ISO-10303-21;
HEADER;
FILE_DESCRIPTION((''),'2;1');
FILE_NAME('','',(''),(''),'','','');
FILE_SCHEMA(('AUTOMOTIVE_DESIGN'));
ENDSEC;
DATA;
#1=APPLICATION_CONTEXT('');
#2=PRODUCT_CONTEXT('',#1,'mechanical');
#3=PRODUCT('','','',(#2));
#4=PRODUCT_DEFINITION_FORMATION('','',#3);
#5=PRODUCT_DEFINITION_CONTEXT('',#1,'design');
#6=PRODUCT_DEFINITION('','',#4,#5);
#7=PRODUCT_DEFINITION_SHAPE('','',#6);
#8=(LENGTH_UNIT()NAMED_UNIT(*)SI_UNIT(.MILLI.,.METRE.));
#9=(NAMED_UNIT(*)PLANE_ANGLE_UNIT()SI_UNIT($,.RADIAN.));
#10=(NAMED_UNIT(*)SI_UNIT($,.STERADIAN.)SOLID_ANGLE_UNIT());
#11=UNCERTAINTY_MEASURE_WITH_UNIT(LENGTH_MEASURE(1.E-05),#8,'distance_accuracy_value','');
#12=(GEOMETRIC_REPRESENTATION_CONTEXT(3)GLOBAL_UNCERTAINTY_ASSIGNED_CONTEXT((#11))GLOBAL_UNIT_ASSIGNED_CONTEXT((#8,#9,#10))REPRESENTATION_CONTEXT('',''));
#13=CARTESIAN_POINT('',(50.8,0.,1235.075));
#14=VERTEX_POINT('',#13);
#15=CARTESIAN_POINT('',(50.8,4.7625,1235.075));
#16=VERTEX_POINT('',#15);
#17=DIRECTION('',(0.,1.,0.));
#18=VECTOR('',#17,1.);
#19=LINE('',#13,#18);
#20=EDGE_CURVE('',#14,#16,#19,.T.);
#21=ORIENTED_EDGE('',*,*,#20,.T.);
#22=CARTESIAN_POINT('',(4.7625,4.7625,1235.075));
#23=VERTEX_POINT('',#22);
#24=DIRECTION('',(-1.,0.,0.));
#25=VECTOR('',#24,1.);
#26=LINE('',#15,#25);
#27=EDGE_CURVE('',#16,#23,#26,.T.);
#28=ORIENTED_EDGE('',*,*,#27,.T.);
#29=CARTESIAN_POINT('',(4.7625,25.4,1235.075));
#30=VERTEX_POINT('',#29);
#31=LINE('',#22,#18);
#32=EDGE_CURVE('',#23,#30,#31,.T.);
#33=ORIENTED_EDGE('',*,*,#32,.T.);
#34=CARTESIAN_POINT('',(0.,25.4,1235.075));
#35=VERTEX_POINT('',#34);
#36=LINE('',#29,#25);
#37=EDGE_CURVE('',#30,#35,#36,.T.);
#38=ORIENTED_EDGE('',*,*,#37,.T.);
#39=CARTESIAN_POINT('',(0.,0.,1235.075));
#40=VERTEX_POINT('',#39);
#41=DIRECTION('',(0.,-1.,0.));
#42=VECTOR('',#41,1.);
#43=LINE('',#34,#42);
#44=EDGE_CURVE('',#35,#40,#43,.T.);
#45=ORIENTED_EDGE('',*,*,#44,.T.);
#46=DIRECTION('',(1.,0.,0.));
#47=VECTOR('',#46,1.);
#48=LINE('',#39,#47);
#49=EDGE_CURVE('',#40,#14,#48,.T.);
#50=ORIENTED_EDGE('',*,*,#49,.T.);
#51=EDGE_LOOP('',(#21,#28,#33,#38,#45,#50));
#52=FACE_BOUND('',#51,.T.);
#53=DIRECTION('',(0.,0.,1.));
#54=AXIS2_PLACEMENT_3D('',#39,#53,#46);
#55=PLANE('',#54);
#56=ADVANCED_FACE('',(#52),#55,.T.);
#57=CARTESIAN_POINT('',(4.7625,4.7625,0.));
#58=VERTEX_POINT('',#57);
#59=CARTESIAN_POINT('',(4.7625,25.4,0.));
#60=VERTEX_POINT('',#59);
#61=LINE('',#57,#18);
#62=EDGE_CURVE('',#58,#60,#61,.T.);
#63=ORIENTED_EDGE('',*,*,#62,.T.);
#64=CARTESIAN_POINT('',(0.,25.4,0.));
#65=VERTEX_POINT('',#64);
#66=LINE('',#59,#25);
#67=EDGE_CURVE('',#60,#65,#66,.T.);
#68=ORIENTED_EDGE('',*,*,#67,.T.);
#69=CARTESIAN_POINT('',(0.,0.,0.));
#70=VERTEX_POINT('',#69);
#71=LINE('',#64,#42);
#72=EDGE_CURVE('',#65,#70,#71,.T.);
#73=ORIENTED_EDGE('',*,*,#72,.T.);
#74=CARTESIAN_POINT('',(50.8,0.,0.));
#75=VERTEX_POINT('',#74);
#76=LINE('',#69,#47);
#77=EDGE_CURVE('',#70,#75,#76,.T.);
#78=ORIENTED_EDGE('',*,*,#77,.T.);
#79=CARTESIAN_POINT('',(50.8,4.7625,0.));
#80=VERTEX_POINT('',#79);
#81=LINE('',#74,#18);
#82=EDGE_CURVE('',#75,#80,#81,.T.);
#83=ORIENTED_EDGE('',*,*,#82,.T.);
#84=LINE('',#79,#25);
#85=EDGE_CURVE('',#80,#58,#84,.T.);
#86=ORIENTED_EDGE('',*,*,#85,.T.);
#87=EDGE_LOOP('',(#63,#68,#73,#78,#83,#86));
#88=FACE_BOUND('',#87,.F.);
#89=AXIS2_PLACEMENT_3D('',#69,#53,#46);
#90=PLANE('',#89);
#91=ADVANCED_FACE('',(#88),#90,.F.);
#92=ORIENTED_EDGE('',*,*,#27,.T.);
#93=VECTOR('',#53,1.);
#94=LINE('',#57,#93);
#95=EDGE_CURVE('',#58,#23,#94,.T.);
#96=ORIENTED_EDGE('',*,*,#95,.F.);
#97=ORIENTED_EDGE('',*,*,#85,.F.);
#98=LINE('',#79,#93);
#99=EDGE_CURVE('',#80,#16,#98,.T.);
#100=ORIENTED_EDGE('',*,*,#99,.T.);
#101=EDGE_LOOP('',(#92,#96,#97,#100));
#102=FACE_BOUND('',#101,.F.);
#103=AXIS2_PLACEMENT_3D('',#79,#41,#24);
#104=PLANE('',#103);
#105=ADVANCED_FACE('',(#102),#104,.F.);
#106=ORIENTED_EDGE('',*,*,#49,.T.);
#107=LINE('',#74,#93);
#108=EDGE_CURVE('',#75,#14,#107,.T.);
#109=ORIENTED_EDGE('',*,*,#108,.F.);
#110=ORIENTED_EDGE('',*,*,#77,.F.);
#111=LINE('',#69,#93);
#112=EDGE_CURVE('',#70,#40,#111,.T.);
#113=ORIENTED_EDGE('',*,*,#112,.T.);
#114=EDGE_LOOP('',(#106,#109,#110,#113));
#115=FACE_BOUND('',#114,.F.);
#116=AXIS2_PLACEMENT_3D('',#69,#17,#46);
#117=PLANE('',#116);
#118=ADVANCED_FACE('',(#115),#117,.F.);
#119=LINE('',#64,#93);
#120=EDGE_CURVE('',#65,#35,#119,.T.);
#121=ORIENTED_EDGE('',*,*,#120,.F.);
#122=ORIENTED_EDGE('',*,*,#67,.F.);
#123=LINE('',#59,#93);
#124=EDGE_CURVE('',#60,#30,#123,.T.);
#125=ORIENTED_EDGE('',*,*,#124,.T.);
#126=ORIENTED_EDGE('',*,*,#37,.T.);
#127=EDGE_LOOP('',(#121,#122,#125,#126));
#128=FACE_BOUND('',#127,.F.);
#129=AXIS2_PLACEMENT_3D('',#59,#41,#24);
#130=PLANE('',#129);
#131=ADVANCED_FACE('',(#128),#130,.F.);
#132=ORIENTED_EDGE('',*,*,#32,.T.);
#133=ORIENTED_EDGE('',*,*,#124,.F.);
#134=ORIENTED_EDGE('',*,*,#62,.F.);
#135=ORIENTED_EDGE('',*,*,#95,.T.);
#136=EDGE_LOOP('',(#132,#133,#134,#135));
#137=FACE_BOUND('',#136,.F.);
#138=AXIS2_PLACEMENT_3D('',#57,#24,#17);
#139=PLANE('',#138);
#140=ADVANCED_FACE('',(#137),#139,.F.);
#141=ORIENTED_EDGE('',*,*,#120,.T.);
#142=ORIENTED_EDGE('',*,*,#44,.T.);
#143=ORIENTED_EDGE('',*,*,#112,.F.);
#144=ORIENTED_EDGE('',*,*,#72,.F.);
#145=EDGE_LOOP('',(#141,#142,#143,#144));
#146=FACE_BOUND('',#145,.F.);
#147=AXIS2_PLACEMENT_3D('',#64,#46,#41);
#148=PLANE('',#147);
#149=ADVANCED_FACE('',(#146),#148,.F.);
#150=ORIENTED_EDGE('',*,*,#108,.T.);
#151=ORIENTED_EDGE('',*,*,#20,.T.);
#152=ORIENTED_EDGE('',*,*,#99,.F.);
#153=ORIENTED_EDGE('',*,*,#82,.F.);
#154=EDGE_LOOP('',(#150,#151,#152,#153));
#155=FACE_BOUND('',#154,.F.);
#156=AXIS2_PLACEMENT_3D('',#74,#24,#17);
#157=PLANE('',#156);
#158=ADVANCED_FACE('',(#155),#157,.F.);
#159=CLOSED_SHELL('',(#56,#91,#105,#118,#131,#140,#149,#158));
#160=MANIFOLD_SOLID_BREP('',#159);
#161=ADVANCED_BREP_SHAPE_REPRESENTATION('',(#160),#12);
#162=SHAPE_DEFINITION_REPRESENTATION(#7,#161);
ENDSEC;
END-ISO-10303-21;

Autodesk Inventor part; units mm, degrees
ref_plane "YZ Plane" through (0, 0, 0) normal (1, 0, 0) x (0, 1, 0)
ref_plane "XZ Plane" through (0, 0, 0) normal (0, 1, 0) x (-1, 0, 0)
ref_plane "XY Plane" through (0, 0, 0) normal (0, 0, 1) x (1, 0, 0)
sketch "Sketch1" plane through (0, 0, 0) normal (0, 0, 1) x (1, 0, 0)
  line L0 (0, 0) -> (50.8, 0)
  line L1 (50.8, 0) -> (50.8, 4.7625)
  line L2 (50.8, 4.7625) -> (4.7625, 4.7625)
  line L3 (4.7625, 4.7625) -> (4.7625, 25.4)
  line L4 (4.7625, 25.4) -> (0, 25.4)
  line L5 (0, 25.4) -> (0, 0)
  dimension "d0" = 4.7625
  dimension "d1" = 4.7625
  dimension "d2" = 50.8
  dimension "d3" = 25.4
extrude "Extrusion1" add sketch "Sketch1" along normal blind 1235.075
properties part number "BOXC_L49_2"
